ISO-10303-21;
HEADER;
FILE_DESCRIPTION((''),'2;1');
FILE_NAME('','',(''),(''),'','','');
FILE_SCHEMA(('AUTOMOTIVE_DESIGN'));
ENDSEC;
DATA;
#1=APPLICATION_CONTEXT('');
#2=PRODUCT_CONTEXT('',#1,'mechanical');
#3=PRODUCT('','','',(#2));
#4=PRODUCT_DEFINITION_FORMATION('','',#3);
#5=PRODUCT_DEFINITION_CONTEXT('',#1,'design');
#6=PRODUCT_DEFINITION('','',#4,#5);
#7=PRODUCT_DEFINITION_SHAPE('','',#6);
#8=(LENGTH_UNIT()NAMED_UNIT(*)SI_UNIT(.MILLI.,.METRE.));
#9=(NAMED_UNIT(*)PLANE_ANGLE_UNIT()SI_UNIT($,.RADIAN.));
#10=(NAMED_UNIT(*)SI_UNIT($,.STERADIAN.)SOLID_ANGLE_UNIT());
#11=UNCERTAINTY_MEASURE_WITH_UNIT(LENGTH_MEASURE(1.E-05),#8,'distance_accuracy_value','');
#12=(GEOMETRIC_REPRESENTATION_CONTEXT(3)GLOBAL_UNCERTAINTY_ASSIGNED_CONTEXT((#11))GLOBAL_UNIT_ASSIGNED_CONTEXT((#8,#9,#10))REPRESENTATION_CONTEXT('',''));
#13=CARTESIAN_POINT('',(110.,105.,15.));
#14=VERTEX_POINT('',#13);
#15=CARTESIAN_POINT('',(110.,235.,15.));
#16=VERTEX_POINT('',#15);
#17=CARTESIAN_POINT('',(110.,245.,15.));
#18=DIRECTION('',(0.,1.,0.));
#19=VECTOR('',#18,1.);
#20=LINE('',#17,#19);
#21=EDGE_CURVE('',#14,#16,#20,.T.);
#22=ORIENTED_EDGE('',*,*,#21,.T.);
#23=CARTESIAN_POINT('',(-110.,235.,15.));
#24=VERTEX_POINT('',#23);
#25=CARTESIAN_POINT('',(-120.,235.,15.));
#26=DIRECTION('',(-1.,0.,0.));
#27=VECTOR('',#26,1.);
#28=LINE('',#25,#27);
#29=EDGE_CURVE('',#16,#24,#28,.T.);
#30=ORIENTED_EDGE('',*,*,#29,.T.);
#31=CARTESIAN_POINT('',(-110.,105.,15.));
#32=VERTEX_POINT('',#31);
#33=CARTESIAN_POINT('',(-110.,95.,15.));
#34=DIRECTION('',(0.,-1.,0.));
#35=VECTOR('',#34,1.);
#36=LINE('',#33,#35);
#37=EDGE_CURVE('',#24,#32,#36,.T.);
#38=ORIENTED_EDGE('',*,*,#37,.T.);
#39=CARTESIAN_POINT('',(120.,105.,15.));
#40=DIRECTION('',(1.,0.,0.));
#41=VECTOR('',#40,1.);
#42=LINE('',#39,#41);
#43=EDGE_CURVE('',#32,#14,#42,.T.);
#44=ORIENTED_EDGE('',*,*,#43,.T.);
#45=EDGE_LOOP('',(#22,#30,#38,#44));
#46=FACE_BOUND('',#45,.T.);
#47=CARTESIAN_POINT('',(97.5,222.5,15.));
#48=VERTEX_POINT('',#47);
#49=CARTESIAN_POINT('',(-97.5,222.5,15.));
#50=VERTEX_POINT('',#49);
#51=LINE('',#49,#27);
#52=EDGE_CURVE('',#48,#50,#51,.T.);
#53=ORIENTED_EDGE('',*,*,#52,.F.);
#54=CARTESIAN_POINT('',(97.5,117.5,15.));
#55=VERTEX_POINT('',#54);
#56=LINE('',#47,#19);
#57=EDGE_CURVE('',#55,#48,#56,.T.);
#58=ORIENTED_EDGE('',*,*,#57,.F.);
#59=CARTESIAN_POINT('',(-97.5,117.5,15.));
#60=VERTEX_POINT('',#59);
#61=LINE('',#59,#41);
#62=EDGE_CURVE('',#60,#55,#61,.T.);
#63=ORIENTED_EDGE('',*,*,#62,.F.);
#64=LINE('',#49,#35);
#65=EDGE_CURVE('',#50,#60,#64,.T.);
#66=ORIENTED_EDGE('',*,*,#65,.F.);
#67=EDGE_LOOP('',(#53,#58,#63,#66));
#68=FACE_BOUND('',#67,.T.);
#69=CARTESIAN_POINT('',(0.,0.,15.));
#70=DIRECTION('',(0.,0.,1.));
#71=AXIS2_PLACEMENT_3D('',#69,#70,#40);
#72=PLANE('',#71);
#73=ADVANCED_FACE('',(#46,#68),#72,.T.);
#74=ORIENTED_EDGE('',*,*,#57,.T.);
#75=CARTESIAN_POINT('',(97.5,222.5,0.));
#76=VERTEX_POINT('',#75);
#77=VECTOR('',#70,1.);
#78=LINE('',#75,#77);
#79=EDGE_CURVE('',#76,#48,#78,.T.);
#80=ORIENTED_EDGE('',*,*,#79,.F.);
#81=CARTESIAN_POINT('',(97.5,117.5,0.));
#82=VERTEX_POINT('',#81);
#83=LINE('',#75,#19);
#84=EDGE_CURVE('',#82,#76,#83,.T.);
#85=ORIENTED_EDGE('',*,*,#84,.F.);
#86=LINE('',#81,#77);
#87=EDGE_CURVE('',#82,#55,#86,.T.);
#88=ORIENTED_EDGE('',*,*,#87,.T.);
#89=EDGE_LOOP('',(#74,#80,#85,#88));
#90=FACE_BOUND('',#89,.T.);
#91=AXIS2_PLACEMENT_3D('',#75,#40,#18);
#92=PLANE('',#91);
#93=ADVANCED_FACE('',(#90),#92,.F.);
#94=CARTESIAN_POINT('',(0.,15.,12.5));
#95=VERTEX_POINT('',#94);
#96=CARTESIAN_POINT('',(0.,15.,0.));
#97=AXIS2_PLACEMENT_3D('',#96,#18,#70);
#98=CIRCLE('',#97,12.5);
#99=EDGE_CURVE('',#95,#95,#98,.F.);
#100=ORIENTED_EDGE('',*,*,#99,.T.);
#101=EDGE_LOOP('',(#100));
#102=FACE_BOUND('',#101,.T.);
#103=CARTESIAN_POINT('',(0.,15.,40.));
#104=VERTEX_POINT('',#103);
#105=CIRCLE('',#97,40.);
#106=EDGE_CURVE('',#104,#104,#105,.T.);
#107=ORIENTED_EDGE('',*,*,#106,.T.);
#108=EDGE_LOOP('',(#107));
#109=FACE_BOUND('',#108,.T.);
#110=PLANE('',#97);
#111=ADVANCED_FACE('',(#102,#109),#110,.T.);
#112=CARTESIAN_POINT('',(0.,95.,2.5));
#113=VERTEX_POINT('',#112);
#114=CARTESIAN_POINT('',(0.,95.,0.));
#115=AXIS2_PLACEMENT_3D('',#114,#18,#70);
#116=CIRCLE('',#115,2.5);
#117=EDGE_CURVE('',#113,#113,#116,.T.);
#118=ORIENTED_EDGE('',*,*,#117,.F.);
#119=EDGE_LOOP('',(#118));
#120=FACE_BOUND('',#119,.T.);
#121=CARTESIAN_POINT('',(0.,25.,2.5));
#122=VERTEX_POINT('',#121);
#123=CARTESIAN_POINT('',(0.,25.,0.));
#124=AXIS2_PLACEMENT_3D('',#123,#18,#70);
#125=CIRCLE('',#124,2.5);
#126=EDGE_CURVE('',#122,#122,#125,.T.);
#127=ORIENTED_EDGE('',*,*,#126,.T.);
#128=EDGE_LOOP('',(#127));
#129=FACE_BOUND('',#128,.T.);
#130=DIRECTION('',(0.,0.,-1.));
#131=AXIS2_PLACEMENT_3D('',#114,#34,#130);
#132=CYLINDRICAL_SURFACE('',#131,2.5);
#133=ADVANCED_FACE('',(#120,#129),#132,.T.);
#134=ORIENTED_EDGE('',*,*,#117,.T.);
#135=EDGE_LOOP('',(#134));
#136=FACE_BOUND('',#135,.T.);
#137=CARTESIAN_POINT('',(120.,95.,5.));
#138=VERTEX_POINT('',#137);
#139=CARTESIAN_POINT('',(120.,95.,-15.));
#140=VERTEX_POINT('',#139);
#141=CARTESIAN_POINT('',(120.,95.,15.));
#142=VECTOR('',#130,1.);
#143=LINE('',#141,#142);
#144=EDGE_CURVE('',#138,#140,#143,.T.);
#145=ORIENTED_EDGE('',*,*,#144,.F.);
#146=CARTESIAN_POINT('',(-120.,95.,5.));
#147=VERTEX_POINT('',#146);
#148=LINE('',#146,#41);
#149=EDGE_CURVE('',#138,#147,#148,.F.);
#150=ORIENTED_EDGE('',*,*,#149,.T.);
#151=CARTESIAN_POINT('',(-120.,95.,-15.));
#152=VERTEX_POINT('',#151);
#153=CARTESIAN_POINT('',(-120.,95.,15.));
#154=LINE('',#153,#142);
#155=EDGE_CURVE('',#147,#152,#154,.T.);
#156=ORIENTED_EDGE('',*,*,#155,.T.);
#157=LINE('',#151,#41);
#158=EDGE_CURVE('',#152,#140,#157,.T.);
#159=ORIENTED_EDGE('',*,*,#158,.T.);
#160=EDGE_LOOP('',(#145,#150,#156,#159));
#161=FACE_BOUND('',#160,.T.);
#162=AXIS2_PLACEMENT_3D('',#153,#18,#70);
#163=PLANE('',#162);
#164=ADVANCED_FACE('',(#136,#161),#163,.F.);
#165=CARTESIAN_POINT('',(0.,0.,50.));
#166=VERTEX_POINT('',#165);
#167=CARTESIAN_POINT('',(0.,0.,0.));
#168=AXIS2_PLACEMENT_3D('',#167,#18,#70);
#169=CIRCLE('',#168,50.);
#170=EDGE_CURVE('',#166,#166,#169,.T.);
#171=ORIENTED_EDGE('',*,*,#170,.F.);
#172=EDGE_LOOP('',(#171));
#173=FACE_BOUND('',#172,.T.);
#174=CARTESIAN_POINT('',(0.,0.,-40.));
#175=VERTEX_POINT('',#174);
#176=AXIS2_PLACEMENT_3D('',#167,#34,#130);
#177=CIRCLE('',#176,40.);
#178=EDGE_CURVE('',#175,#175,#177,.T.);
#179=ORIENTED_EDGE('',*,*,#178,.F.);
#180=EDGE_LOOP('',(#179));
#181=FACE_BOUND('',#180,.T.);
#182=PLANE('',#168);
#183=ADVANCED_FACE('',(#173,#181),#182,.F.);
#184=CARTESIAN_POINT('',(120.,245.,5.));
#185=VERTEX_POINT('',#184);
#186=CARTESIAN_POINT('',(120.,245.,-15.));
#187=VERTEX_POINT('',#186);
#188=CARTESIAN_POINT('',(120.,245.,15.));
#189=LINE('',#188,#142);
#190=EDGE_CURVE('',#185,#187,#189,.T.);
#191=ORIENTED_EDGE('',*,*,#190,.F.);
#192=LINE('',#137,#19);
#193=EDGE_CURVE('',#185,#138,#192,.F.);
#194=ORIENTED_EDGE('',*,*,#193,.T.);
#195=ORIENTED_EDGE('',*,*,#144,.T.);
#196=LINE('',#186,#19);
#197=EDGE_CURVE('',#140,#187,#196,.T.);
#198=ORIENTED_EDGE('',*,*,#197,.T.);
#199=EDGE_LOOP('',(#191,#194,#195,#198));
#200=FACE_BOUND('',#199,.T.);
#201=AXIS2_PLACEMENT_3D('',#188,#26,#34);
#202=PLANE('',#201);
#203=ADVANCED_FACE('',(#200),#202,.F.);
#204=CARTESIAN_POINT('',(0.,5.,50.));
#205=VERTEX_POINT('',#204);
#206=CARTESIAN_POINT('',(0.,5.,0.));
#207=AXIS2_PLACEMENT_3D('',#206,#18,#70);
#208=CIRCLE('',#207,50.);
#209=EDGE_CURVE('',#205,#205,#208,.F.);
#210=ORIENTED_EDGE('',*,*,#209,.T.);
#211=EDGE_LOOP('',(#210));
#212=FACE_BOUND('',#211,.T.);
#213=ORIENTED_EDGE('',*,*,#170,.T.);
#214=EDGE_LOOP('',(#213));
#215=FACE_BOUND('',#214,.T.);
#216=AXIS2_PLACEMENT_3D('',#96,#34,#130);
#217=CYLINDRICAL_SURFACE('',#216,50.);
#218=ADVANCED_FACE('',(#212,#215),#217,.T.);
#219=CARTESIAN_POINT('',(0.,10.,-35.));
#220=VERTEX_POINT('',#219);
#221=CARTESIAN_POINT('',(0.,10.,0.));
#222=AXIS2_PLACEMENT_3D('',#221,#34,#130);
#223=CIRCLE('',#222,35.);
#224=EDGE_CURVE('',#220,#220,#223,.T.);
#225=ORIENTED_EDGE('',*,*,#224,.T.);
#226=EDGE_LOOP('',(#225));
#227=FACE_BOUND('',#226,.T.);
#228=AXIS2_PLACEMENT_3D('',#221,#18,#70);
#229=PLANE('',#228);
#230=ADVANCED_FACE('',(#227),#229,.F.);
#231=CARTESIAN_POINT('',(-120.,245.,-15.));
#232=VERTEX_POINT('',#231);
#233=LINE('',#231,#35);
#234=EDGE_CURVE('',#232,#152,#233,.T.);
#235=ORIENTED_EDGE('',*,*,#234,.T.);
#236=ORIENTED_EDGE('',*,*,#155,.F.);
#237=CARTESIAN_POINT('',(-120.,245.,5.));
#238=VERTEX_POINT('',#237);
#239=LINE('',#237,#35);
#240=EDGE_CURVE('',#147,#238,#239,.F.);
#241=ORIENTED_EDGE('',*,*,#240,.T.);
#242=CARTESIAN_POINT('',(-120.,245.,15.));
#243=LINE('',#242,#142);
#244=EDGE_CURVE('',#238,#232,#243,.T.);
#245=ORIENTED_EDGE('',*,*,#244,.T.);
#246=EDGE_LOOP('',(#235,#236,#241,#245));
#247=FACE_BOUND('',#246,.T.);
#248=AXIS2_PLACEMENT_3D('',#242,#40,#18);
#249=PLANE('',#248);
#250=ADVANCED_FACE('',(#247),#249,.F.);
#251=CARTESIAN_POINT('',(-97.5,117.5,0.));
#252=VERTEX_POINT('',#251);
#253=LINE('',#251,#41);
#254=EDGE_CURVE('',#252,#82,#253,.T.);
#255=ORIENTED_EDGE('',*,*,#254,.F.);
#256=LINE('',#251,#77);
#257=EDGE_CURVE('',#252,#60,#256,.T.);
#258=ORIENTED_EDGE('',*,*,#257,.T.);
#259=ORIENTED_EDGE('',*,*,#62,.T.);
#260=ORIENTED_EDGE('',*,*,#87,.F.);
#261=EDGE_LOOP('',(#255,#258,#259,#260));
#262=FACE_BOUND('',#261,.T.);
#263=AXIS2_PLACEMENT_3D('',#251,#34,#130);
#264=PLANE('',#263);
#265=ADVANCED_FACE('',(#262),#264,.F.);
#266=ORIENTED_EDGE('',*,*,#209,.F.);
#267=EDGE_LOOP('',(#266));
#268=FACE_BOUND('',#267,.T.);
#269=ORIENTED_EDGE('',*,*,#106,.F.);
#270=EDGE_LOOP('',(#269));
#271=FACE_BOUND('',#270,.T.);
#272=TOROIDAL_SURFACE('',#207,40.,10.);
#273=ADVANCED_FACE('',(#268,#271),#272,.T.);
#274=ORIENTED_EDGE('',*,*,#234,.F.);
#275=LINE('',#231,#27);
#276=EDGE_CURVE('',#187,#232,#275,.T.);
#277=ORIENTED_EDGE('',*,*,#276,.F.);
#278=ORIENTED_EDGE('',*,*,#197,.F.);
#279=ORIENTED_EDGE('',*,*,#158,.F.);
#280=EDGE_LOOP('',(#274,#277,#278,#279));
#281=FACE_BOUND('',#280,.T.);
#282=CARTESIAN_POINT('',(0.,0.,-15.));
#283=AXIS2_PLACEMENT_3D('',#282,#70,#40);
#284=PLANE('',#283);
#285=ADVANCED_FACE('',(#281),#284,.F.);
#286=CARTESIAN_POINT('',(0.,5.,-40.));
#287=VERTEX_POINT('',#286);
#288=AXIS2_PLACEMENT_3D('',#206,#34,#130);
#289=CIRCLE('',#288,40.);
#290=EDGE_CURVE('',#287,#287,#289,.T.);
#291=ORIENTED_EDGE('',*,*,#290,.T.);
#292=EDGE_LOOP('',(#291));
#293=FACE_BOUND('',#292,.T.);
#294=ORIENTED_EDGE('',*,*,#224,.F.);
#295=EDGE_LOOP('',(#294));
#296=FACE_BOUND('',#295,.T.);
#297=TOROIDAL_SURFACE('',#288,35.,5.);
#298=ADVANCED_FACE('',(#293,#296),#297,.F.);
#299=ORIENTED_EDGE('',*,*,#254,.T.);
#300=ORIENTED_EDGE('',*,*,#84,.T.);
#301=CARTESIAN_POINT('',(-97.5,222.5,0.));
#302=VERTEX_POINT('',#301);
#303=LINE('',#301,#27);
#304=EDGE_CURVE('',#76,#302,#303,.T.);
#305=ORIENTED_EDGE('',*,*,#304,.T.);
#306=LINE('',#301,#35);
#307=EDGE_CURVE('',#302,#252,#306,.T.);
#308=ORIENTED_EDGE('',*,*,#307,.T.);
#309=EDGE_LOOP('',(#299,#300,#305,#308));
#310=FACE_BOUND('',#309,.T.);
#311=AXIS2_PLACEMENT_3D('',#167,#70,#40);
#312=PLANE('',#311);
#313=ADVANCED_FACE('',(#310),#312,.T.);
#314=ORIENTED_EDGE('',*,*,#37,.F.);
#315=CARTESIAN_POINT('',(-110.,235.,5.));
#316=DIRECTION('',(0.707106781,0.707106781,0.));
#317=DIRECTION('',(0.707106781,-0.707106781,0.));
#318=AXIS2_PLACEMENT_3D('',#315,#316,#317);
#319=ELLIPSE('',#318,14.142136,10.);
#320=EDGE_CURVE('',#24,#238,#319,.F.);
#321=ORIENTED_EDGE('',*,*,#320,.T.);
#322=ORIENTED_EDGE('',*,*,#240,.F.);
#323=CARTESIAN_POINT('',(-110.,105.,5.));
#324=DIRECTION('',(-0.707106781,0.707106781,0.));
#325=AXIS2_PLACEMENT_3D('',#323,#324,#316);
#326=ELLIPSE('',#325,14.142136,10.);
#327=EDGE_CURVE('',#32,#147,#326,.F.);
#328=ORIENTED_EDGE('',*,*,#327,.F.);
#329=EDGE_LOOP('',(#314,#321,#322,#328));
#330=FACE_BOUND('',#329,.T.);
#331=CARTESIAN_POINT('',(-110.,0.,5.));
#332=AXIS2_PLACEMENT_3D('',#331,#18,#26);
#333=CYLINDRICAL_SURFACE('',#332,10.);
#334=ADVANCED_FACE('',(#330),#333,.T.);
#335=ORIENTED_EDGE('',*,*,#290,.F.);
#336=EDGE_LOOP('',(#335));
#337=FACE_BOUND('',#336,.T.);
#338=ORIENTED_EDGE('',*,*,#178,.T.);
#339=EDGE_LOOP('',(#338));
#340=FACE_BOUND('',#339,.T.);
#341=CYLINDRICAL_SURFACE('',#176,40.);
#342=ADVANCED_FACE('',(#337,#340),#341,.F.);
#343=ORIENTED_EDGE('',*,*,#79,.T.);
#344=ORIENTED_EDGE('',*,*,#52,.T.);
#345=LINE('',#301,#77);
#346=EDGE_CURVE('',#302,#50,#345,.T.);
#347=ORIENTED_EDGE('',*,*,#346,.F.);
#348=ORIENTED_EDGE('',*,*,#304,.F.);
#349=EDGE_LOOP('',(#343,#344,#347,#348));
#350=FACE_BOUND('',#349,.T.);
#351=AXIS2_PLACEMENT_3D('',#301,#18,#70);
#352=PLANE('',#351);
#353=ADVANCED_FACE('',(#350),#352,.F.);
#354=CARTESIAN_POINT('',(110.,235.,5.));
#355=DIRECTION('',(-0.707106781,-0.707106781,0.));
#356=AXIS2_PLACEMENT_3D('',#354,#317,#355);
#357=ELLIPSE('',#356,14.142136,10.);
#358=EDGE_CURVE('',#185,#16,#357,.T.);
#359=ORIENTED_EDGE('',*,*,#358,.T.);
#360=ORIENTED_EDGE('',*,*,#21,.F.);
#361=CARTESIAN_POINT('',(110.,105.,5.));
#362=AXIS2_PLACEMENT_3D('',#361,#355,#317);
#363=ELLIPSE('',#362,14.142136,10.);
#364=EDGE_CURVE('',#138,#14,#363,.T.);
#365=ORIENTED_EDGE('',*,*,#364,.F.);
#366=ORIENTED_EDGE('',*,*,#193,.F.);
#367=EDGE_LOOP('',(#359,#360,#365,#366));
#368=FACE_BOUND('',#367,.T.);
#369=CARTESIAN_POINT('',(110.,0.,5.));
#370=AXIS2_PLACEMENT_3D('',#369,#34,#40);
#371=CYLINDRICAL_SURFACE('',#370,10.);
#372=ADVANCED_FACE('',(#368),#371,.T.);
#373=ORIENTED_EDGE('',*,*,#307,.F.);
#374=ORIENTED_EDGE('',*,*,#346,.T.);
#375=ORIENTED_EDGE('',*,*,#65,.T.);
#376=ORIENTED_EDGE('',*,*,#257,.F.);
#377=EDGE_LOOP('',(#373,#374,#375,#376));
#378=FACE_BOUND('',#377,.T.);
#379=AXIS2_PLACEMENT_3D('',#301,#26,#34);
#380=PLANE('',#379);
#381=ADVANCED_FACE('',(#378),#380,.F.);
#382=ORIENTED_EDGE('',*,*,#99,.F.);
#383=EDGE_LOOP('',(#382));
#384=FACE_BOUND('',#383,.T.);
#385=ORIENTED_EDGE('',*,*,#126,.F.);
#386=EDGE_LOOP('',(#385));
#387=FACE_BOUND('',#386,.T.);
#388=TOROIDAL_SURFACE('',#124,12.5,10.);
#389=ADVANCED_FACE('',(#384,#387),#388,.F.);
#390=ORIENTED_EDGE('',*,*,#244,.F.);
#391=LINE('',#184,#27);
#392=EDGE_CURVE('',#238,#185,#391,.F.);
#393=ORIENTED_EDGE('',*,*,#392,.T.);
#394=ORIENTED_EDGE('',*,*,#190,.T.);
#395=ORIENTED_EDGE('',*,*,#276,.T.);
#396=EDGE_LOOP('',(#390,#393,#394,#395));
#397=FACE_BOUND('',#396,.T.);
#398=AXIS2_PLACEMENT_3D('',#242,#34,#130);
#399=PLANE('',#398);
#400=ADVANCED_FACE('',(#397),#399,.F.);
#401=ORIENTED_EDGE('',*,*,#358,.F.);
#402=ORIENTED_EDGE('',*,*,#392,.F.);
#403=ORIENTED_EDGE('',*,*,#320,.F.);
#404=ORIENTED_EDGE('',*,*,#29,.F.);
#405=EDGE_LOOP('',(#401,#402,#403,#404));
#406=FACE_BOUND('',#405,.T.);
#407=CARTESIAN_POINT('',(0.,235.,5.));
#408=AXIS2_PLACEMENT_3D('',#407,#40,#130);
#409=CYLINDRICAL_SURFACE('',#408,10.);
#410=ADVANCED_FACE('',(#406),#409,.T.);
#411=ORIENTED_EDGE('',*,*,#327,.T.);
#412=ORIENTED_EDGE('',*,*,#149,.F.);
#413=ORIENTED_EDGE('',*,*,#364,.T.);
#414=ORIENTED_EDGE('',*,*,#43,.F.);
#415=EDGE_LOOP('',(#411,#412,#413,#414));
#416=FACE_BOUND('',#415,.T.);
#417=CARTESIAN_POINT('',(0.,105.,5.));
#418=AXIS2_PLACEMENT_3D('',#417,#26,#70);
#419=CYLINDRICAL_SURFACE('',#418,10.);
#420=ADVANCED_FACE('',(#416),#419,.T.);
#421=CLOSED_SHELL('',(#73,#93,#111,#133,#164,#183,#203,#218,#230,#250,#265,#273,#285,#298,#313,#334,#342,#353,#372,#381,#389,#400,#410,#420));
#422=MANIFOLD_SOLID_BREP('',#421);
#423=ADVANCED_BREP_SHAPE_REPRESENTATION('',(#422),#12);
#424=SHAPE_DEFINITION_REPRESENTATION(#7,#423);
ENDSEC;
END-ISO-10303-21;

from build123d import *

# Parameters (mm, degrees)
SKETCH1_R           = 50
BOSS_EXTRUDE1_DEPTH = 15
FILLET1_R           = 10
SKETCH5_R           = 2.5
BOSS_EXTRUDE2_DEPTH = 80
FILLET2_R           = 10
SKETCH6_W           = 240
SKETCH6_H           = 150
BOSS_EXTRUDE3_DEPTH = 15
SKETCH7_W           = 195
SKETCH7_H           = 105
CUT_EXTRUDE1_DEPTH  = 15
FILLET3_R           = 10


with BuildPart() as part:
    # Sketch1 → Boss-Extrude1 (new body)
    with BuildSketch(Plane(origin=(0, 0, 0), x_dir=(1, 0, 0), z_dir=(0, 1, 0))):
        with Locations(Location((0, 0, 0), (0, 0, 270))):
            Circle(SKETCH1_R)
    extrude(amount=BOSS_EXTRUDE1_DEPTH)

    # Fillet1
    fillet1_edges = [part.edges().sort_by_distance(p)[0] for p in [
        (0, 15, -50),
    ]]
    fillet(fillet1_edges, radius=FILLET1_R)

    # Sketch3 → Cut-Revolve1 (revolve, cut)
    with BuildSketch(Plane.XY, mode=Mode.PRIVATE) as cut_revolve1_sk:
        with BuildLine():
            Line((0, 0), (40, 0))
            Line((40, 0), (40, 5))
            ThreePointArc((40, 5), (38.535533906, 8.535533906), (35, 10))
            Line((35, 10), (0, 10))
            Line((0, 10), (0, 0))
        make_face()
    revolve(cut_revolve1_sk.sketch.rotate(Axis((0, 0, 0), (0, 1, 0)), 90), axis=Axis((0, 0, 0), (0, 1, 0)), mode=Mode.SUBTRACT)

    # Sketch5 → Boss-Extrude2 (add)
    with BuildSketch(Plane(origin=(0, 15, 0), x_dir=(1, 0, 0), z_dir=(0, 1, 0))):
        with Locations(Location((0, 0, 0), (0, 0, 270))):
            Circle(SKETCH5_R)
    extrude(amount=BOSS_EXTRUDE2_DEPTH)

    # Fillet2
    fillet2_edges = [part.edges().sort_by_distance(p)[0] for p in [
        (0, 15, -2.5),
    ]]
    fillet(fillet2_edges, radius=FILLET2_R)

    # Sketch6 → Boss-Extrude3 (add, symmetric)
    with BuildSketch(Plane.XY):
        with Locations((0, 170)):
            Rectangle(SKETCH6_W, SKETCH6_H)
    extrude(amount=BOSS_EXTRUDE3_DEPTH, both=True)

    # Sketch7 → Cut-Extrude1 (cut)
    with BuildSketch(Plane.XY.offset(15)):
        with Locations((0, 170)):
            Rectangle(SKETCH7_W, SKETCH7_H)
    extrude(amount=-CUT_EXTRUDE1_DEPTH, mode=Mode.SUBTRACT)

    # Fillet3
    fillet3_edges = [part.edges().sort_by_distance(p)[0] for p in [
        (-120, 170, 15),
        (0, 95, 15),
        (120, 170, 15),
        (0, 245, 15),
    ]]
    fillet(fillet3_edges, radius=FILLET3_R)


solid = part.part
